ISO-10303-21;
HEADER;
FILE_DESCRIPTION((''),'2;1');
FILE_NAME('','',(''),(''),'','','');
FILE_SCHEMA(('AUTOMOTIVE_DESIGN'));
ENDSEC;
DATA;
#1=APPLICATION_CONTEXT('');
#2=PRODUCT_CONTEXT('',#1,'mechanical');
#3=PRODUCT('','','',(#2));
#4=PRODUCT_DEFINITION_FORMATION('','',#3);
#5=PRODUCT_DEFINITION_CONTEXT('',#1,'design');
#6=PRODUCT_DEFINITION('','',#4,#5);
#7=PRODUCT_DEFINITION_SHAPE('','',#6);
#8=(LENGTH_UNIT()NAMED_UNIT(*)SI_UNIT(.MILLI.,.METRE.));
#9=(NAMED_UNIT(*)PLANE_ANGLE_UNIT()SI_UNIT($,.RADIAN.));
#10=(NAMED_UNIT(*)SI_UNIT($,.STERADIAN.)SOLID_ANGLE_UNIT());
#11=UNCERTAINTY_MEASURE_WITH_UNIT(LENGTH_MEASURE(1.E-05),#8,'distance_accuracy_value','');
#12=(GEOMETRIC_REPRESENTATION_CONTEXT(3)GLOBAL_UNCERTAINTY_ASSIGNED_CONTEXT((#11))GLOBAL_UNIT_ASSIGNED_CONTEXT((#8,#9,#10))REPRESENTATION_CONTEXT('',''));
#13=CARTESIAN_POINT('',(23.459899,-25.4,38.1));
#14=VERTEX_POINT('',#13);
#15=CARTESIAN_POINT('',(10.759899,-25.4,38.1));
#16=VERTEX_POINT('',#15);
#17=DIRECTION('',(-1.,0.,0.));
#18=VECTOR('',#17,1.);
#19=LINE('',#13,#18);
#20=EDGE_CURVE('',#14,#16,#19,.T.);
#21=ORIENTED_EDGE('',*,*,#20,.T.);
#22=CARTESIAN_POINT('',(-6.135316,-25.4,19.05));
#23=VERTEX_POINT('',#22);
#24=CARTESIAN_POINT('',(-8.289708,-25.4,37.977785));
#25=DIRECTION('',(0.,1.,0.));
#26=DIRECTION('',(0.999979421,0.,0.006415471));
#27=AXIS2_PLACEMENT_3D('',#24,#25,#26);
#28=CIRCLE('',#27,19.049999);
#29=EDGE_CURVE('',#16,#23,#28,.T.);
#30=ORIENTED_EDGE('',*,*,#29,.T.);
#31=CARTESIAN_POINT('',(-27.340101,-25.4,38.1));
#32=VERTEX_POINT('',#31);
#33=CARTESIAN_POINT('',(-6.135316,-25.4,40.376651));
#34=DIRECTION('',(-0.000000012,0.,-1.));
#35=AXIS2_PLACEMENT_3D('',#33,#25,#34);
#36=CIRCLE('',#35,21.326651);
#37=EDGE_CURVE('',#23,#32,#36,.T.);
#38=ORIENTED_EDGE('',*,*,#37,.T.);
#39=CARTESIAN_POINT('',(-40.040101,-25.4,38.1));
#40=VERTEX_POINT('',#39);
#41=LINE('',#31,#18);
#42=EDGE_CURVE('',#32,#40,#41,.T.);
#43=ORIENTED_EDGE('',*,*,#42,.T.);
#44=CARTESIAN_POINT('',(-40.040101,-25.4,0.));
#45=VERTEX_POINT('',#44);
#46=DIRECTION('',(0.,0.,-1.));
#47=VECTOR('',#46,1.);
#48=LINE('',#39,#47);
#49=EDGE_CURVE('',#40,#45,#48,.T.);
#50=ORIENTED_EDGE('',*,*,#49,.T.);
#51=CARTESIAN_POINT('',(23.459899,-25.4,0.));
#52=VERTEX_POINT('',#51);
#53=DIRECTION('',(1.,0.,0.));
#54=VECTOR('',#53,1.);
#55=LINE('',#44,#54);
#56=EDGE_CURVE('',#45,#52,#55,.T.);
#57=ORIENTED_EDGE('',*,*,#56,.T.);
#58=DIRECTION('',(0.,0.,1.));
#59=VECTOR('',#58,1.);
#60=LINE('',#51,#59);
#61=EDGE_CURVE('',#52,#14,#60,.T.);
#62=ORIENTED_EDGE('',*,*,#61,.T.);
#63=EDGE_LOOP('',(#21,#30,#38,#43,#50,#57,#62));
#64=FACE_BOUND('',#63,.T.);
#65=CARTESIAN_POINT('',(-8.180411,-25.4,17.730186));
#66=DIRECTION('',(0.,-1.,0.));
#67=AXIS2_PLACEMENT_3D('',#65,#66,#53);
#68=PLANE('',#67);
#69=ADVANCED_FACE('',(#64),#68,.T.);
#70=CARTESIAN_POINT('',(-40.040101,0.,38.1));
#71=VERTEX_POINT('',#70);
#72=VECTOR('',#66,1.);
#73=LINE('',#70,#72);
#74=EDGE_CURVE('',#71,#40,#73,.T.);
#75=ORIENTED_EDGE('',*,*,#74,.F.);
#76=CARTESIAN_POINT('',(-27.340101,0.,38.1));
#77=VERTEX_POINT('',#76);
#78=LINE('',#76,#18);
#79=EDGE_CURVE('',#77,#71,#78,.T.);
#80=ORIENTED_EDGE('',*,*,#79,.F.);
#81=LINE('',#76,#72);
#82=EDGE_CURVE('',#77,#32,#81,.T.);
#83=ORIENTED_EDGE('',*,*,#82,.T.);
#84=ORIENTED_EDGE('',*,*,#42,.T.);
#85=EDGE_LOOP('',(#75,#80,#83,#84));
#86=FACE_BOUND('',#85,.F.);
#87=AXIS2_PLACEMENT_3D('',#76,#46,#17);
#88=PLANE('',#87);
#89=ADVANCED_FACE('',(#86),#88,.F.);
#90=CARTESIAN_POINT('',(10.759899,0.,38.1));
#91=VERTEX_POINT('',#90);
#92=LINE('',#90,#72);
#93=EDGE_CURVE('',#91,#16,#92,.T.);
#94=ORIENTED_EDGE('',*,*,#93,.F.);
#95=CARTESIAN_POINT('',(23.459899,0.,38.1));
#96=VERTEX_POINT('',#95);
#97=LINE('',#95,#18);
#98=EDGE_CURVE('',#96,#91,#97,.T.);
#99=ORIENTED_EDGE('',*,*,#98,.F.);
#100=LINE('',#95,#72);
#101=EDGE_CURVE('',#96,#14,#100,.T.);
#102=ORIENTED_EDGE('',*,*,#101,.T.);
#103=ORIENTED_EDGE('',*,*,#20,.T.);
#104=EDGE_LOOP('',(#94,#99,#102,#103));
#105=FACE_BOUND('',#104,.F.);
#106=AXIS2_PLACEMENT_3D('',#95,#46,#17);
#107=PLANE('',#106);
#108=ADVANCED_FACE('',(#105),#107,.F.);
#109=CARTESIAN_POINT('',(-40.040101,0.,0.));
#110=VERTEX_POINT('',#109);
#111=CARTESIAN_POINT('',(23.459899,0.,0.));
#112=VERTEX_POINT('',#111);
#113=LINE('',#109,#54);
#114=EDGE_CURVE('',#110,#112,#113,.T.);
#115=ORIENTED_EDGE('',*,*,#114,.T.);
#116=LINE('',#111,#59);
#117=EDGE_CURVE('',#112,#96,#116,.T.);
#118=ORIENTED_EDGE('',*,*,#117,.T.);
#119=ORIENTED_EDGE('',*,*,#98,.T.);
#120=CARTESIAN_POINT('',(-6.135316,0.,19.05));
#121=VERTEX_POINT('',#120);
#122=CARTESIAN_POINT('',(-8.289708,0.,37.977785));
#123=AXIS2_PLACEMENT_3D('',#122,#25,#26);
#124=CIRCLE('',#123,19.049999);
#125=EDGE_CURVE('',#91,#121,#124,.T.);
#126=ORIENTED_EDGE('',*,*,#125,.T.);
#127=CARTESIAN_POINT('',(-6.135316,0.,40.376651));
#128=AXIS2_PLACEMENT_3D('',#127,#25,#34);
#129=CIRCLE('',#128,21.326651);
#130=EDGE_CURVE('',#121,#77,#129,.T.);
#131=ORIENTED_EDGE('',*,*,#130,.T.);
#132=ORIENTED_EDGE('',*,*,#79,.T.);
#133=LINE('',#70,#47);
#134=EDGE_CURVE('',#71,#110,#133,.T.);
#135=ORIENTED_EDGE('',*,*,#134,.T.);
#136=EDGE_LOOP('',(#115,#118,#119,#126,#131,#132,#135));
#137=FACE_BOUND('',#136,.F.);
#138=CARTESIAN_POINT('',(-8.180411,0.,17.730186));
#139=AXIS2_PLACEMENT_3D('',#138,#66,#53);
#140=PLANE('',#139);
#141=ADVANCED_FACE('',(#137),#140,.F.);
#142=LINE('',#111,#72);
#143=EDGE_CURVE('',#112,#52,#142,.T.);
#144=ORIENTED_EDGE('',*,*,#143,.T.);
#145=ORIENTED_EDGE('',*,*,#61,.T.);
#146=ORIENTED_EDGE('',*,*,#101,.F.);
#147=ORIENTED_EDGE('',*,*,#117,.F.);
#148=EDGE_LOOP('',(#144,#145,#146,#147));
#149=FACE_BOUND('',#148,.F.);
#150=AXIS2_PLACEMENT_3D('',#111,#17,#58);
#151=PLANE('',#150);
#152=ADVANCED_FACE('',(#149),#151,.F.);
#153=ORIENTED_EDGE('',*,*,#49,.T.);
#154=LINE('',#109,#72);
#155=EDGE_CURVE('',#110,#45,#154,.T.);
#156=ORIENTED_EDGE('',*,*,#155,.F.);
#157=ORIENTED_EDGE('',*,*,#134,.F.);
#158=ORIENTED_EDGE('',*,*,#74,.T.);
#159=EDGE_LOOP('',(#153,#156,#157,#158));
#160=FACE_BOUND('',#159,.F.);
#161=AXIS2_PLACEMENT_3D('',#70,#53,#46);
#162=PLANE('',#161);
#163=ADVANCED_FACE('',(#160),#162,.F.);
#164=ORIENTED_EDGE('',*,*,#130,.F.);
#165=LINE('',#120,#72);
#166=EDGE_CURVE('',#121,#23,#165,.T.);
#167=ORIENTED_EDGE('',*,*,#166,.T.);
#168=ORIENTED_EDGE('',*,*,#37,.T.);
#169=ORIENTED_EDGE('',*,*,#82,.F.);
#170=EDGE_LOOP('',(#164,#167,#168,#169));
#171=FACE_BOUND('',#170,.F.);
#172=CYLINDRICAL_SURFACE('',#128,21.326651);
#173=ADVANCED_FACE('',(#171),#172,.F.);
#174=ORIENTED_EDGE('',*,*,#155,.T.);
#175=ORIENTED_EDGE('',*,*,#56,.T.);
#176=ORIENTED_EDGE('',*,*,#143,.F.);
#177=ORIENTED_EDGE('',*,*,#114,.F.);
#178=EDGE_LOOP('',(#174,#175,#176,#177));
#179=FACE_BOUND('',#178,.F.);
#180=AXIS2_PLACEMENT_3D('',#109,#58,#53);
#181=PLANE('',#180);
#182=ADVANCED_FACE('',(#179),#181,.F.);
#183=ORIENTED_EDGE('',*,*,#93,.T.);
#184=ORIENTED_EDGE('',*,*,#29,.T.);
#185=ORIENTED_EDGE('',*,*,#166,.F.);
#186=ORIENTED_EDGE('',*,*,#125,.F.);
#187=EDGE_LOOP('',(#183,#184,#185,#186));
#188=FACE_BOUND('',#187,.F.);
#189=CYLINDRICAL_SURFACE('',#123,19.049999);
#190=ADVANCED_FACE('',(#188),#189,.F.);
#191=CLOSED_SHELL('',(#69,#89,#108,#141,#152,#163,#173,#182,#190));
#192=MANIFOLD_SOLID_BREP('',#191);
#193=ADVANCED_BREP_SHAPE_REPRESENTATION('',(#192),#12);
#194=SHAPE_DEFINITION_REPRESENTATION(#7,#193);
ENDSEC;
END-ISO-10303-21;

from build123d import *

# Parameters (mm, degrees)
F1_DEPTH = 25.4


with BuildPart() as f1:
    # F0 (on Front) → F1 (new body)
    with BuildSketch(Plane.XZ):
        with BuildLine():
            Line((-27.340101, 38.1), (-40.040101, 38.1))
            Line((-40.040101, 38.1), (-40.040101, 0))
            Line((-40.040101, 0), (23.459899, 0))
            Line((23.459899, 0), (23.459899, 38.1))
            Line((23.459899, 38.1), (10.759899, 38.1))
            ThreePointArc((10.759899, 38.1), (5.962591, 25.337594), (-6.135316, 19.05))
            ThreePointArc((-6.135316, 19.05), (-20.387907, 24.51192), (-27.340101, 38.1))
        make_face()
    extrude(amount=F1_DEPTH)


solid = f1.part
